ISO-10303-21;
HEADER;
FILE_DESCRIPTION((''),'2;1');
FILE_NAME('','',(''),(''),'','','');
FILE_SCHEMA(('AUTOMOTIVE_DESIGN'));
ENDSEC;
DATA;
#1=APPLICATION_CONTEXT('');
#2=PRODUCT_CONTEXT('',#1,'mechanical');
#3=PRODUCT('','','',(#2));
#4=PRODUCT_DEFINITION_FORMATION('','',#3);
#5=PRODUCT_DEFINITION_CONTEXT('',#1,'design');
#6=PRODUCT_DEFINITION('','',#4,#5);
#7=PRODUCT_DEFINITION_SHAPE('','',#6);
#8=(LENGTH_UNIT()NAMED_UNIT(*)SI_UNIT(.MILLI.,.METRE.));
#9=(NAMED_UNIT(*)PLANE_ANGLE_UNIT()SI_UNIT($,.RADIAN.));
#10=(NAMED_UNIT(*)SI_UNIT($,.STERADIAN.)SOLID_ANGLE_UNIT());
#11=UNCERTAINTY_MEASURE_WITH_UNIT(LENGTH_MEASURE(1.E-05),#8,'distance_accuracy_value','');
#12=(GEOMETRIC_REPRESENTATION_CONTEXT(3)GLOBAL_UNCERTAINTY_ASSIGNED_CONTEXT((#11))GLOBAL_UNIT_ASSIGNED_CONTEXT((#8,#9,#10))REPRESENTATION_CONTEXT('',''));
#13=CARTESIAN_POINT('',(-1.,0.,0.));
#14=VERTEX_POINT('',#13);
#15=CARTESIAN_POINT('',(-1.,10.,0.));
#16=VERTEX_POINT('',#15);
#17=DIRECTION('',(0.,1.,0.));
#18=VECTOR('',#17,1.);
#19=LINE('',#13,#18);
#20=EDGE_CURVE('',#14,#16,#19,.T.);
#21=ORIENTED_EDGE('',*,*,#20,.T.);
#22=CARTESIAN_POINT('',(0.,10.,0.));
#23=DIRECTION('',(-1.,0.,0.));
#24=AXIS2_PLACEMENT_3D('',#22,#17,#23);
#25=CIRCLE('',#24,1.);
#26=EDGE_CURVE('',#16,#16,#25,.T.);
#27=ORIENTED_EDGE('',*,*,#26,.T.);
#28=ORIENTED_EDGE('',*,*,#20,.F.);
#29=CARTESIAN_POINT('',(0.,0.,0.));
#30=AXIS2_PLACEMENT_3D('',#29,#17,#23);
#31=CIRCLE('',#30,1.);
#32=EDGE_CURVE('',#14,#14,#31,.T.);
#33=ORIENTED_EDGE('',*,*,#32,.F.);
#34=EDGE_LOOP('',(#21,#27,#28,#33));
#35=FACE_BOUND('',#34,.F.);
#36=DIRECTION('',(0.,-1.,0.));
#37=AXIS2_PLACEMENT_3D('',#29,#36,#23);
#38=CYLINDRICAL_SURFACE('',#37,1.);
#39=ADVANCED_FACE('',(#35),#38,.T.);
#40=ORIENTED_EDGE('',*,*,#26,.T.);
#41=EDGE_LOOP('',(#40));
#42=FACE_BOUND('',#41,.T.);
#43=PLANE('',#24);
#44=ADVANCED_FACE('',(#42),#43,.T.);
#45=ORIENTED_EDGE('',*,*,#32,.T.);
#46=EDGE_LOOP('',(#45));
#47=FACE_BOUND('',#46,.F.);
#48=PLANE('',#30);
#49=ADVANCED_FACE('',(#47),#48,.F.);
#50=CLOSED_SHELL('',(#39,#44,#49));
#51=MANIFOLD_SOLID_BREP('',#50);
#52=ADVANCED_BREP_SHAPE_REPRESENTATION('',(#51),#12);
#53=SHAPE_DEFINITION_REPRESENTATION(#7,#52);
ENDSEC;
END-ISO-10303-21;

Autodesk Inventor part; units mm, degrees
ref_plane "YZ Plane" through (0, 0, 0) normal (1, 0, 0) x (0, 1, 0)
ref_plane "XZ Plane" through (0, 0, 0) normal (0, 1, 0) x (-1, 0, 0)
ref_plane "XY Plane" through (0, 0, 0) normal (0, 0, 1) x (1, 0, 0)
sketch "Sketch1" plane through (0, 0, 0) normal (0, 1, 0) x (-1, 0, 0)
  circle A0 centre (0, 0) radius 1
  dimension "d0" = 10
extrude "Extrusion1" add sketch "Sketch1" along normal blind 10
properties part number "motor_gear_hole_maker"
